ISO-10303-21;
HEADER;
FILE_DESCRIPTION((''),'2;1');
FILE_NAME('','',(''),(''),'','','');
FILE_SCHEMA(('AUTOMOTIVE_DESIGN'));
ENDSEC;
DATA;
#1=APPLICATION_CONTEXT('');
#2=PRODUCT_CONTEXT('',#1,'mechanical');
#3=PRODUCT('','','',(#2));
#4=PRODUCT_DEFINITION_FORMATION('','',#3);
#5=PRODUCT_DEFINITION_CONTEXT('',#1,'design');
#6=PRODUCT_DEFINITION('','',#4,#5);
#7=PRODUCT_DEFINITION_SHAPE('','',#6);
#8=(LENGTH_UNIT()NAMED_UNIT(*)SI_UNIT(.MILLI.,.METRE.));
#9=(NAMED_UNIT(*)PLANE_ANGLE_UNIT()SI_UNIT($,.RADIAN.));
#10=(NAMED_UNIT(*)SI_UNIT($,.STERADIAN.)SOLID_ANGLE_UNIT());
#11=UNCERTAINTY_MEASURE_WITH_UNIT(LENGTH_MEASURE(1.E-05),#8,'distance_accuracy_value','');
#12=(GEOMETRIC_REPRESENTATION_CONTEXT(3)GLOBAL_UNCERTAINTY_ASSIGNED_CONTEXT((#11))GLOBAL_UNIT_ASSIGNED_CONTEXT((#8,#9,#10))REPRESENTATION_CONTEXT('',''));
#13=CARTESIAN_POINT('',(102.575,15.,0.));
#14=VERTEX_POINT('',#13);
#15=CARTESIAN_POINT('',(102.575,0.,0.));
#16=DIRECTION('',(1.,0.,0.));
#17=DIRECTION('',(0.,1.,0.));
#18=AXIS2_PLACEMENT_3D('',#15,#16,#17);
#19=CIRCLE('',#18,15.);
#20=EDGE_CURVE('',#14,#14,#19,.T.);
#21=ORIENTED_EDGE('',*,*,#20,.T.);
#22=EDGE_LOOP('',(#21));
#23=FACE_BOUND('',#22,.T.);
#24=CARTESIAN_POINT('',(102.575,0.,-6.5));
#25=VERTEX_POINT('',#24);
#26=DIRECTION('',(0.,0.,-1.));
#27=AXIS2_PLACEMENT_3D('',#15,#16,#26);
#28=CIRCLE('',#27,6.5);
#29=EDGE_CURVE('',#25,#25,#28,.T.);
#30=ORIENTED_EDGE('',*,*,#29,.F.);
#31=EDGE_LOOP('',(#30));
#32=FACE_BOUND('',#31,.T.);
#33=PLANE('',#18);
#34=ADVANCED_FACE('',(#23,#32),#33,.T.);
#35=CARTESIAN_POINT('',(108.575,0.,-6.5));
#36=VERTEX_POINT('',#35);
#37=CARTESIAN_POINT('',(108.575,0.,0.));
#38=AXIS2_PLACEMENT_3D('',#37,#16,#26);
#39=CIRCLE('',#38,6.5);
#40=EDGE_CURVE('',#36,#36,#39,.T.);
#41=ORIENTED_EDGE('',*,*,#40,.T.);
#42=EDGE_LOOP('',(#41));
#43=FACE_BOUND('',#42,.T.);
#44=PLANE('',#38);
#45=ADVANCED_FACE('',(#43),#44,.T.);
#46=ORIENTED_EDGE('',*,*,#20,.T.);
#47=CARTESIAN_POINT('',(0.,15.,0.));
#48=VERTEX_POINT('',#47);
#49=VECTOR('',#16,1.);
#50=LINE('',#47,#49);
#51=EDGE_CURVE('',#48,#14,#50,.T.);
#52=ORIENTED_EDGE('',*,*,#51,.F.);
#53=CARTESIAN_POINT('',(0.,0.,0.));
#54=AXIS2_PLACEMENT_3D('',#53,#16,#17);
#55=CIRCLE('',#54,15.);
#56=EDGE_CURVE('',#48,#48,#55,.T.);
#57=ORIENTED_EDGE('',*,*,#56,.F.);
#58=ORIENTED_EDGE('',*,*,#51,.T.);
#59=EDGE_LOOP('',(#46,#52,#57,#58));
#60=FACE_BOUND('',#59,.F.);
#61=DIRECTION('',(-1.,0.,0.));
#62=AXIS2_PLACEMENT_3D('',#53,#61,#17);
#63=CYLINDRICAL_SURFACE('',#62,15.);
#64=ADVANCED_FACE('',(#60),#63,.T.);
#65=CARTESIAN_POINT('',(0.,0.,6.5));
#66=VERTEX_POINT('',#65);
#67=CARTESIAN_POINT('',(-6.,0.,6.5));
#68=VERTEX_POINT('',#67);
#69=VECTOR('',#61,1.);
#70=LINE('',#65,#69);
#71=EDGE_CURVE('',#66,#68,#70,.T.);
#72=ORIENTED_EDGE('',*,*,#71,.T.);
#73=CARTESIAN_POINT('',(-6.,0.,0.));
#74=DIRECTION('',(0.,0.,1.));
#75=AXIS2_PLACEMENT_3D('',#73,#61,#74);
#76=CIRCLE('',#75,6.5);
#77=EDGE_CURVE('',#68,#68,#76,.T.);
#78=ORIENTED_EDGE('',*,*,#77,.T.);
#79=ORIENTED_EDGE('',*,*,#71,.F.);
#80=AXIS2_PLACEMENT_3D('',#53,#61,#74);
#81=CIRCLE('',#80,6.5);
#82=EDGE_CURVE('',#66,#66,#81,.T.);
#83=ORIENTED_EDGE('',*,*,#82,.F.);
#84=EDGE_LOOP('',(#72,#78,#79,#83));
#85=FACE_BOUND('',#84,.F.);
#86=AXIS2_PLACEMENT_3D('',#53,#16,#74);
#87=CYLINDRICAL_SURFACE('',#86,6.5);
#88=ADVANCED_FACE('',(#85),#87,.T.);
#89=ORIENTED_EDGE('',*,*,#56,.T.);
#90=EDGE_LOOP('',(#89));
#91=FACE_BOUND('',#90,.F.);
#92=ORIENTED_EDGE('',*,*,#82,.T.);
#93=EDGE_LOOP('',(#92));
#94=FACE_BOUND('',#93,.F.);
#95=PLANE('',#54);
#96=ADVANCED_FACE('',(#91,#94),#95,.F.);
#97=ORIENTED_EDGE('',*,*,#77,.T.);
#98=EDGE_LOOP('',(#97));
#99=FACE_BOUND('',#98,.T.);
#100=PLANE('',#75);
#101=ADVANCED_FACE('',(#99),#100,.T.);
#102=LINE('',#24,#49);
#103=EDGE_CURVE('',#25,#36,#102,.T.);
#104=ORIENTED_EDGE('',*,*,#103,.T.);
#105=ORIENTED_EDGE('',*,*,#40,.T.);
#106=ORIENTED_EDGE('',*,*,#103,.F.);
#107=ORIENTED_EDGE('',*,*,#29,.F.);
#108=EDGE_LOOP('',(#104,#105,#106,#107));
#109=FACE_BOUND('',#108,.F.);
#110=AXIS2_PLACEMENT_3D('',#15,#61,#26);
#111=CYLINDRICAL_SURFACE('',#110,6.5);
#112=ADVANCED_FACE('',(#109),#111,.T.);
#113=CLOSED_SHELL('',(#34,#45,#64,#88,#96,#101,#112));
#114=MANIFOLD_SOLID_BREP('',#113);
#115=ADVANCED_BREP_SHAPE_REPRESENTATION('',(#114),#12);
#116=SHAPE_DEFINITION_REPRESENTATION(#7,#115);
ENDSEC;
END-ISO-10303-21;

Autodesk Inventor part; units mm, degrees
ref_plane "YZ Plane" through (0, 0, 0) normal (1, 0, 0) x (0, 1, 0)
ref_plane "XZ Plane" through (0, 0, 0) normal (0, 1, 0) x (-1, 0, 0)
ref_plane "XY Plane" through (0, 0, 0) normal (0, 0, 1) x (1, 0, 0)
sketch "Boceto1" plane through (0, 0, 0) normal (1, 0, 0) x (0, 1, 0)
  circle A0 centre (0, 0) radius 15
  dimension "d0" = 30
extrude "Extrusión1" add sketch "Boceto1" along normal blind 102.575
sketch "Boceto2" plane through (102.575, 0, 0) normal (1, 0, 0) x (0, 0, -1)
  circle A0 centre (0, 0) radius 6.5
  dimension "d3" = 13
extrude "Extrusión2" add sketch "Boceto2" along normal blind 6
sketch "Boceto3" plane through (0, 0, 0) normal (-1, 0, 0) x (0, 0, 1)
  circle A0 centre (0, 0) radius 6.5
  dimension "d6" = 13
extrude "Extrusión3" add sketch "Boceto3" along normal blind 6
properties part number "rodillo con rodamiento"
